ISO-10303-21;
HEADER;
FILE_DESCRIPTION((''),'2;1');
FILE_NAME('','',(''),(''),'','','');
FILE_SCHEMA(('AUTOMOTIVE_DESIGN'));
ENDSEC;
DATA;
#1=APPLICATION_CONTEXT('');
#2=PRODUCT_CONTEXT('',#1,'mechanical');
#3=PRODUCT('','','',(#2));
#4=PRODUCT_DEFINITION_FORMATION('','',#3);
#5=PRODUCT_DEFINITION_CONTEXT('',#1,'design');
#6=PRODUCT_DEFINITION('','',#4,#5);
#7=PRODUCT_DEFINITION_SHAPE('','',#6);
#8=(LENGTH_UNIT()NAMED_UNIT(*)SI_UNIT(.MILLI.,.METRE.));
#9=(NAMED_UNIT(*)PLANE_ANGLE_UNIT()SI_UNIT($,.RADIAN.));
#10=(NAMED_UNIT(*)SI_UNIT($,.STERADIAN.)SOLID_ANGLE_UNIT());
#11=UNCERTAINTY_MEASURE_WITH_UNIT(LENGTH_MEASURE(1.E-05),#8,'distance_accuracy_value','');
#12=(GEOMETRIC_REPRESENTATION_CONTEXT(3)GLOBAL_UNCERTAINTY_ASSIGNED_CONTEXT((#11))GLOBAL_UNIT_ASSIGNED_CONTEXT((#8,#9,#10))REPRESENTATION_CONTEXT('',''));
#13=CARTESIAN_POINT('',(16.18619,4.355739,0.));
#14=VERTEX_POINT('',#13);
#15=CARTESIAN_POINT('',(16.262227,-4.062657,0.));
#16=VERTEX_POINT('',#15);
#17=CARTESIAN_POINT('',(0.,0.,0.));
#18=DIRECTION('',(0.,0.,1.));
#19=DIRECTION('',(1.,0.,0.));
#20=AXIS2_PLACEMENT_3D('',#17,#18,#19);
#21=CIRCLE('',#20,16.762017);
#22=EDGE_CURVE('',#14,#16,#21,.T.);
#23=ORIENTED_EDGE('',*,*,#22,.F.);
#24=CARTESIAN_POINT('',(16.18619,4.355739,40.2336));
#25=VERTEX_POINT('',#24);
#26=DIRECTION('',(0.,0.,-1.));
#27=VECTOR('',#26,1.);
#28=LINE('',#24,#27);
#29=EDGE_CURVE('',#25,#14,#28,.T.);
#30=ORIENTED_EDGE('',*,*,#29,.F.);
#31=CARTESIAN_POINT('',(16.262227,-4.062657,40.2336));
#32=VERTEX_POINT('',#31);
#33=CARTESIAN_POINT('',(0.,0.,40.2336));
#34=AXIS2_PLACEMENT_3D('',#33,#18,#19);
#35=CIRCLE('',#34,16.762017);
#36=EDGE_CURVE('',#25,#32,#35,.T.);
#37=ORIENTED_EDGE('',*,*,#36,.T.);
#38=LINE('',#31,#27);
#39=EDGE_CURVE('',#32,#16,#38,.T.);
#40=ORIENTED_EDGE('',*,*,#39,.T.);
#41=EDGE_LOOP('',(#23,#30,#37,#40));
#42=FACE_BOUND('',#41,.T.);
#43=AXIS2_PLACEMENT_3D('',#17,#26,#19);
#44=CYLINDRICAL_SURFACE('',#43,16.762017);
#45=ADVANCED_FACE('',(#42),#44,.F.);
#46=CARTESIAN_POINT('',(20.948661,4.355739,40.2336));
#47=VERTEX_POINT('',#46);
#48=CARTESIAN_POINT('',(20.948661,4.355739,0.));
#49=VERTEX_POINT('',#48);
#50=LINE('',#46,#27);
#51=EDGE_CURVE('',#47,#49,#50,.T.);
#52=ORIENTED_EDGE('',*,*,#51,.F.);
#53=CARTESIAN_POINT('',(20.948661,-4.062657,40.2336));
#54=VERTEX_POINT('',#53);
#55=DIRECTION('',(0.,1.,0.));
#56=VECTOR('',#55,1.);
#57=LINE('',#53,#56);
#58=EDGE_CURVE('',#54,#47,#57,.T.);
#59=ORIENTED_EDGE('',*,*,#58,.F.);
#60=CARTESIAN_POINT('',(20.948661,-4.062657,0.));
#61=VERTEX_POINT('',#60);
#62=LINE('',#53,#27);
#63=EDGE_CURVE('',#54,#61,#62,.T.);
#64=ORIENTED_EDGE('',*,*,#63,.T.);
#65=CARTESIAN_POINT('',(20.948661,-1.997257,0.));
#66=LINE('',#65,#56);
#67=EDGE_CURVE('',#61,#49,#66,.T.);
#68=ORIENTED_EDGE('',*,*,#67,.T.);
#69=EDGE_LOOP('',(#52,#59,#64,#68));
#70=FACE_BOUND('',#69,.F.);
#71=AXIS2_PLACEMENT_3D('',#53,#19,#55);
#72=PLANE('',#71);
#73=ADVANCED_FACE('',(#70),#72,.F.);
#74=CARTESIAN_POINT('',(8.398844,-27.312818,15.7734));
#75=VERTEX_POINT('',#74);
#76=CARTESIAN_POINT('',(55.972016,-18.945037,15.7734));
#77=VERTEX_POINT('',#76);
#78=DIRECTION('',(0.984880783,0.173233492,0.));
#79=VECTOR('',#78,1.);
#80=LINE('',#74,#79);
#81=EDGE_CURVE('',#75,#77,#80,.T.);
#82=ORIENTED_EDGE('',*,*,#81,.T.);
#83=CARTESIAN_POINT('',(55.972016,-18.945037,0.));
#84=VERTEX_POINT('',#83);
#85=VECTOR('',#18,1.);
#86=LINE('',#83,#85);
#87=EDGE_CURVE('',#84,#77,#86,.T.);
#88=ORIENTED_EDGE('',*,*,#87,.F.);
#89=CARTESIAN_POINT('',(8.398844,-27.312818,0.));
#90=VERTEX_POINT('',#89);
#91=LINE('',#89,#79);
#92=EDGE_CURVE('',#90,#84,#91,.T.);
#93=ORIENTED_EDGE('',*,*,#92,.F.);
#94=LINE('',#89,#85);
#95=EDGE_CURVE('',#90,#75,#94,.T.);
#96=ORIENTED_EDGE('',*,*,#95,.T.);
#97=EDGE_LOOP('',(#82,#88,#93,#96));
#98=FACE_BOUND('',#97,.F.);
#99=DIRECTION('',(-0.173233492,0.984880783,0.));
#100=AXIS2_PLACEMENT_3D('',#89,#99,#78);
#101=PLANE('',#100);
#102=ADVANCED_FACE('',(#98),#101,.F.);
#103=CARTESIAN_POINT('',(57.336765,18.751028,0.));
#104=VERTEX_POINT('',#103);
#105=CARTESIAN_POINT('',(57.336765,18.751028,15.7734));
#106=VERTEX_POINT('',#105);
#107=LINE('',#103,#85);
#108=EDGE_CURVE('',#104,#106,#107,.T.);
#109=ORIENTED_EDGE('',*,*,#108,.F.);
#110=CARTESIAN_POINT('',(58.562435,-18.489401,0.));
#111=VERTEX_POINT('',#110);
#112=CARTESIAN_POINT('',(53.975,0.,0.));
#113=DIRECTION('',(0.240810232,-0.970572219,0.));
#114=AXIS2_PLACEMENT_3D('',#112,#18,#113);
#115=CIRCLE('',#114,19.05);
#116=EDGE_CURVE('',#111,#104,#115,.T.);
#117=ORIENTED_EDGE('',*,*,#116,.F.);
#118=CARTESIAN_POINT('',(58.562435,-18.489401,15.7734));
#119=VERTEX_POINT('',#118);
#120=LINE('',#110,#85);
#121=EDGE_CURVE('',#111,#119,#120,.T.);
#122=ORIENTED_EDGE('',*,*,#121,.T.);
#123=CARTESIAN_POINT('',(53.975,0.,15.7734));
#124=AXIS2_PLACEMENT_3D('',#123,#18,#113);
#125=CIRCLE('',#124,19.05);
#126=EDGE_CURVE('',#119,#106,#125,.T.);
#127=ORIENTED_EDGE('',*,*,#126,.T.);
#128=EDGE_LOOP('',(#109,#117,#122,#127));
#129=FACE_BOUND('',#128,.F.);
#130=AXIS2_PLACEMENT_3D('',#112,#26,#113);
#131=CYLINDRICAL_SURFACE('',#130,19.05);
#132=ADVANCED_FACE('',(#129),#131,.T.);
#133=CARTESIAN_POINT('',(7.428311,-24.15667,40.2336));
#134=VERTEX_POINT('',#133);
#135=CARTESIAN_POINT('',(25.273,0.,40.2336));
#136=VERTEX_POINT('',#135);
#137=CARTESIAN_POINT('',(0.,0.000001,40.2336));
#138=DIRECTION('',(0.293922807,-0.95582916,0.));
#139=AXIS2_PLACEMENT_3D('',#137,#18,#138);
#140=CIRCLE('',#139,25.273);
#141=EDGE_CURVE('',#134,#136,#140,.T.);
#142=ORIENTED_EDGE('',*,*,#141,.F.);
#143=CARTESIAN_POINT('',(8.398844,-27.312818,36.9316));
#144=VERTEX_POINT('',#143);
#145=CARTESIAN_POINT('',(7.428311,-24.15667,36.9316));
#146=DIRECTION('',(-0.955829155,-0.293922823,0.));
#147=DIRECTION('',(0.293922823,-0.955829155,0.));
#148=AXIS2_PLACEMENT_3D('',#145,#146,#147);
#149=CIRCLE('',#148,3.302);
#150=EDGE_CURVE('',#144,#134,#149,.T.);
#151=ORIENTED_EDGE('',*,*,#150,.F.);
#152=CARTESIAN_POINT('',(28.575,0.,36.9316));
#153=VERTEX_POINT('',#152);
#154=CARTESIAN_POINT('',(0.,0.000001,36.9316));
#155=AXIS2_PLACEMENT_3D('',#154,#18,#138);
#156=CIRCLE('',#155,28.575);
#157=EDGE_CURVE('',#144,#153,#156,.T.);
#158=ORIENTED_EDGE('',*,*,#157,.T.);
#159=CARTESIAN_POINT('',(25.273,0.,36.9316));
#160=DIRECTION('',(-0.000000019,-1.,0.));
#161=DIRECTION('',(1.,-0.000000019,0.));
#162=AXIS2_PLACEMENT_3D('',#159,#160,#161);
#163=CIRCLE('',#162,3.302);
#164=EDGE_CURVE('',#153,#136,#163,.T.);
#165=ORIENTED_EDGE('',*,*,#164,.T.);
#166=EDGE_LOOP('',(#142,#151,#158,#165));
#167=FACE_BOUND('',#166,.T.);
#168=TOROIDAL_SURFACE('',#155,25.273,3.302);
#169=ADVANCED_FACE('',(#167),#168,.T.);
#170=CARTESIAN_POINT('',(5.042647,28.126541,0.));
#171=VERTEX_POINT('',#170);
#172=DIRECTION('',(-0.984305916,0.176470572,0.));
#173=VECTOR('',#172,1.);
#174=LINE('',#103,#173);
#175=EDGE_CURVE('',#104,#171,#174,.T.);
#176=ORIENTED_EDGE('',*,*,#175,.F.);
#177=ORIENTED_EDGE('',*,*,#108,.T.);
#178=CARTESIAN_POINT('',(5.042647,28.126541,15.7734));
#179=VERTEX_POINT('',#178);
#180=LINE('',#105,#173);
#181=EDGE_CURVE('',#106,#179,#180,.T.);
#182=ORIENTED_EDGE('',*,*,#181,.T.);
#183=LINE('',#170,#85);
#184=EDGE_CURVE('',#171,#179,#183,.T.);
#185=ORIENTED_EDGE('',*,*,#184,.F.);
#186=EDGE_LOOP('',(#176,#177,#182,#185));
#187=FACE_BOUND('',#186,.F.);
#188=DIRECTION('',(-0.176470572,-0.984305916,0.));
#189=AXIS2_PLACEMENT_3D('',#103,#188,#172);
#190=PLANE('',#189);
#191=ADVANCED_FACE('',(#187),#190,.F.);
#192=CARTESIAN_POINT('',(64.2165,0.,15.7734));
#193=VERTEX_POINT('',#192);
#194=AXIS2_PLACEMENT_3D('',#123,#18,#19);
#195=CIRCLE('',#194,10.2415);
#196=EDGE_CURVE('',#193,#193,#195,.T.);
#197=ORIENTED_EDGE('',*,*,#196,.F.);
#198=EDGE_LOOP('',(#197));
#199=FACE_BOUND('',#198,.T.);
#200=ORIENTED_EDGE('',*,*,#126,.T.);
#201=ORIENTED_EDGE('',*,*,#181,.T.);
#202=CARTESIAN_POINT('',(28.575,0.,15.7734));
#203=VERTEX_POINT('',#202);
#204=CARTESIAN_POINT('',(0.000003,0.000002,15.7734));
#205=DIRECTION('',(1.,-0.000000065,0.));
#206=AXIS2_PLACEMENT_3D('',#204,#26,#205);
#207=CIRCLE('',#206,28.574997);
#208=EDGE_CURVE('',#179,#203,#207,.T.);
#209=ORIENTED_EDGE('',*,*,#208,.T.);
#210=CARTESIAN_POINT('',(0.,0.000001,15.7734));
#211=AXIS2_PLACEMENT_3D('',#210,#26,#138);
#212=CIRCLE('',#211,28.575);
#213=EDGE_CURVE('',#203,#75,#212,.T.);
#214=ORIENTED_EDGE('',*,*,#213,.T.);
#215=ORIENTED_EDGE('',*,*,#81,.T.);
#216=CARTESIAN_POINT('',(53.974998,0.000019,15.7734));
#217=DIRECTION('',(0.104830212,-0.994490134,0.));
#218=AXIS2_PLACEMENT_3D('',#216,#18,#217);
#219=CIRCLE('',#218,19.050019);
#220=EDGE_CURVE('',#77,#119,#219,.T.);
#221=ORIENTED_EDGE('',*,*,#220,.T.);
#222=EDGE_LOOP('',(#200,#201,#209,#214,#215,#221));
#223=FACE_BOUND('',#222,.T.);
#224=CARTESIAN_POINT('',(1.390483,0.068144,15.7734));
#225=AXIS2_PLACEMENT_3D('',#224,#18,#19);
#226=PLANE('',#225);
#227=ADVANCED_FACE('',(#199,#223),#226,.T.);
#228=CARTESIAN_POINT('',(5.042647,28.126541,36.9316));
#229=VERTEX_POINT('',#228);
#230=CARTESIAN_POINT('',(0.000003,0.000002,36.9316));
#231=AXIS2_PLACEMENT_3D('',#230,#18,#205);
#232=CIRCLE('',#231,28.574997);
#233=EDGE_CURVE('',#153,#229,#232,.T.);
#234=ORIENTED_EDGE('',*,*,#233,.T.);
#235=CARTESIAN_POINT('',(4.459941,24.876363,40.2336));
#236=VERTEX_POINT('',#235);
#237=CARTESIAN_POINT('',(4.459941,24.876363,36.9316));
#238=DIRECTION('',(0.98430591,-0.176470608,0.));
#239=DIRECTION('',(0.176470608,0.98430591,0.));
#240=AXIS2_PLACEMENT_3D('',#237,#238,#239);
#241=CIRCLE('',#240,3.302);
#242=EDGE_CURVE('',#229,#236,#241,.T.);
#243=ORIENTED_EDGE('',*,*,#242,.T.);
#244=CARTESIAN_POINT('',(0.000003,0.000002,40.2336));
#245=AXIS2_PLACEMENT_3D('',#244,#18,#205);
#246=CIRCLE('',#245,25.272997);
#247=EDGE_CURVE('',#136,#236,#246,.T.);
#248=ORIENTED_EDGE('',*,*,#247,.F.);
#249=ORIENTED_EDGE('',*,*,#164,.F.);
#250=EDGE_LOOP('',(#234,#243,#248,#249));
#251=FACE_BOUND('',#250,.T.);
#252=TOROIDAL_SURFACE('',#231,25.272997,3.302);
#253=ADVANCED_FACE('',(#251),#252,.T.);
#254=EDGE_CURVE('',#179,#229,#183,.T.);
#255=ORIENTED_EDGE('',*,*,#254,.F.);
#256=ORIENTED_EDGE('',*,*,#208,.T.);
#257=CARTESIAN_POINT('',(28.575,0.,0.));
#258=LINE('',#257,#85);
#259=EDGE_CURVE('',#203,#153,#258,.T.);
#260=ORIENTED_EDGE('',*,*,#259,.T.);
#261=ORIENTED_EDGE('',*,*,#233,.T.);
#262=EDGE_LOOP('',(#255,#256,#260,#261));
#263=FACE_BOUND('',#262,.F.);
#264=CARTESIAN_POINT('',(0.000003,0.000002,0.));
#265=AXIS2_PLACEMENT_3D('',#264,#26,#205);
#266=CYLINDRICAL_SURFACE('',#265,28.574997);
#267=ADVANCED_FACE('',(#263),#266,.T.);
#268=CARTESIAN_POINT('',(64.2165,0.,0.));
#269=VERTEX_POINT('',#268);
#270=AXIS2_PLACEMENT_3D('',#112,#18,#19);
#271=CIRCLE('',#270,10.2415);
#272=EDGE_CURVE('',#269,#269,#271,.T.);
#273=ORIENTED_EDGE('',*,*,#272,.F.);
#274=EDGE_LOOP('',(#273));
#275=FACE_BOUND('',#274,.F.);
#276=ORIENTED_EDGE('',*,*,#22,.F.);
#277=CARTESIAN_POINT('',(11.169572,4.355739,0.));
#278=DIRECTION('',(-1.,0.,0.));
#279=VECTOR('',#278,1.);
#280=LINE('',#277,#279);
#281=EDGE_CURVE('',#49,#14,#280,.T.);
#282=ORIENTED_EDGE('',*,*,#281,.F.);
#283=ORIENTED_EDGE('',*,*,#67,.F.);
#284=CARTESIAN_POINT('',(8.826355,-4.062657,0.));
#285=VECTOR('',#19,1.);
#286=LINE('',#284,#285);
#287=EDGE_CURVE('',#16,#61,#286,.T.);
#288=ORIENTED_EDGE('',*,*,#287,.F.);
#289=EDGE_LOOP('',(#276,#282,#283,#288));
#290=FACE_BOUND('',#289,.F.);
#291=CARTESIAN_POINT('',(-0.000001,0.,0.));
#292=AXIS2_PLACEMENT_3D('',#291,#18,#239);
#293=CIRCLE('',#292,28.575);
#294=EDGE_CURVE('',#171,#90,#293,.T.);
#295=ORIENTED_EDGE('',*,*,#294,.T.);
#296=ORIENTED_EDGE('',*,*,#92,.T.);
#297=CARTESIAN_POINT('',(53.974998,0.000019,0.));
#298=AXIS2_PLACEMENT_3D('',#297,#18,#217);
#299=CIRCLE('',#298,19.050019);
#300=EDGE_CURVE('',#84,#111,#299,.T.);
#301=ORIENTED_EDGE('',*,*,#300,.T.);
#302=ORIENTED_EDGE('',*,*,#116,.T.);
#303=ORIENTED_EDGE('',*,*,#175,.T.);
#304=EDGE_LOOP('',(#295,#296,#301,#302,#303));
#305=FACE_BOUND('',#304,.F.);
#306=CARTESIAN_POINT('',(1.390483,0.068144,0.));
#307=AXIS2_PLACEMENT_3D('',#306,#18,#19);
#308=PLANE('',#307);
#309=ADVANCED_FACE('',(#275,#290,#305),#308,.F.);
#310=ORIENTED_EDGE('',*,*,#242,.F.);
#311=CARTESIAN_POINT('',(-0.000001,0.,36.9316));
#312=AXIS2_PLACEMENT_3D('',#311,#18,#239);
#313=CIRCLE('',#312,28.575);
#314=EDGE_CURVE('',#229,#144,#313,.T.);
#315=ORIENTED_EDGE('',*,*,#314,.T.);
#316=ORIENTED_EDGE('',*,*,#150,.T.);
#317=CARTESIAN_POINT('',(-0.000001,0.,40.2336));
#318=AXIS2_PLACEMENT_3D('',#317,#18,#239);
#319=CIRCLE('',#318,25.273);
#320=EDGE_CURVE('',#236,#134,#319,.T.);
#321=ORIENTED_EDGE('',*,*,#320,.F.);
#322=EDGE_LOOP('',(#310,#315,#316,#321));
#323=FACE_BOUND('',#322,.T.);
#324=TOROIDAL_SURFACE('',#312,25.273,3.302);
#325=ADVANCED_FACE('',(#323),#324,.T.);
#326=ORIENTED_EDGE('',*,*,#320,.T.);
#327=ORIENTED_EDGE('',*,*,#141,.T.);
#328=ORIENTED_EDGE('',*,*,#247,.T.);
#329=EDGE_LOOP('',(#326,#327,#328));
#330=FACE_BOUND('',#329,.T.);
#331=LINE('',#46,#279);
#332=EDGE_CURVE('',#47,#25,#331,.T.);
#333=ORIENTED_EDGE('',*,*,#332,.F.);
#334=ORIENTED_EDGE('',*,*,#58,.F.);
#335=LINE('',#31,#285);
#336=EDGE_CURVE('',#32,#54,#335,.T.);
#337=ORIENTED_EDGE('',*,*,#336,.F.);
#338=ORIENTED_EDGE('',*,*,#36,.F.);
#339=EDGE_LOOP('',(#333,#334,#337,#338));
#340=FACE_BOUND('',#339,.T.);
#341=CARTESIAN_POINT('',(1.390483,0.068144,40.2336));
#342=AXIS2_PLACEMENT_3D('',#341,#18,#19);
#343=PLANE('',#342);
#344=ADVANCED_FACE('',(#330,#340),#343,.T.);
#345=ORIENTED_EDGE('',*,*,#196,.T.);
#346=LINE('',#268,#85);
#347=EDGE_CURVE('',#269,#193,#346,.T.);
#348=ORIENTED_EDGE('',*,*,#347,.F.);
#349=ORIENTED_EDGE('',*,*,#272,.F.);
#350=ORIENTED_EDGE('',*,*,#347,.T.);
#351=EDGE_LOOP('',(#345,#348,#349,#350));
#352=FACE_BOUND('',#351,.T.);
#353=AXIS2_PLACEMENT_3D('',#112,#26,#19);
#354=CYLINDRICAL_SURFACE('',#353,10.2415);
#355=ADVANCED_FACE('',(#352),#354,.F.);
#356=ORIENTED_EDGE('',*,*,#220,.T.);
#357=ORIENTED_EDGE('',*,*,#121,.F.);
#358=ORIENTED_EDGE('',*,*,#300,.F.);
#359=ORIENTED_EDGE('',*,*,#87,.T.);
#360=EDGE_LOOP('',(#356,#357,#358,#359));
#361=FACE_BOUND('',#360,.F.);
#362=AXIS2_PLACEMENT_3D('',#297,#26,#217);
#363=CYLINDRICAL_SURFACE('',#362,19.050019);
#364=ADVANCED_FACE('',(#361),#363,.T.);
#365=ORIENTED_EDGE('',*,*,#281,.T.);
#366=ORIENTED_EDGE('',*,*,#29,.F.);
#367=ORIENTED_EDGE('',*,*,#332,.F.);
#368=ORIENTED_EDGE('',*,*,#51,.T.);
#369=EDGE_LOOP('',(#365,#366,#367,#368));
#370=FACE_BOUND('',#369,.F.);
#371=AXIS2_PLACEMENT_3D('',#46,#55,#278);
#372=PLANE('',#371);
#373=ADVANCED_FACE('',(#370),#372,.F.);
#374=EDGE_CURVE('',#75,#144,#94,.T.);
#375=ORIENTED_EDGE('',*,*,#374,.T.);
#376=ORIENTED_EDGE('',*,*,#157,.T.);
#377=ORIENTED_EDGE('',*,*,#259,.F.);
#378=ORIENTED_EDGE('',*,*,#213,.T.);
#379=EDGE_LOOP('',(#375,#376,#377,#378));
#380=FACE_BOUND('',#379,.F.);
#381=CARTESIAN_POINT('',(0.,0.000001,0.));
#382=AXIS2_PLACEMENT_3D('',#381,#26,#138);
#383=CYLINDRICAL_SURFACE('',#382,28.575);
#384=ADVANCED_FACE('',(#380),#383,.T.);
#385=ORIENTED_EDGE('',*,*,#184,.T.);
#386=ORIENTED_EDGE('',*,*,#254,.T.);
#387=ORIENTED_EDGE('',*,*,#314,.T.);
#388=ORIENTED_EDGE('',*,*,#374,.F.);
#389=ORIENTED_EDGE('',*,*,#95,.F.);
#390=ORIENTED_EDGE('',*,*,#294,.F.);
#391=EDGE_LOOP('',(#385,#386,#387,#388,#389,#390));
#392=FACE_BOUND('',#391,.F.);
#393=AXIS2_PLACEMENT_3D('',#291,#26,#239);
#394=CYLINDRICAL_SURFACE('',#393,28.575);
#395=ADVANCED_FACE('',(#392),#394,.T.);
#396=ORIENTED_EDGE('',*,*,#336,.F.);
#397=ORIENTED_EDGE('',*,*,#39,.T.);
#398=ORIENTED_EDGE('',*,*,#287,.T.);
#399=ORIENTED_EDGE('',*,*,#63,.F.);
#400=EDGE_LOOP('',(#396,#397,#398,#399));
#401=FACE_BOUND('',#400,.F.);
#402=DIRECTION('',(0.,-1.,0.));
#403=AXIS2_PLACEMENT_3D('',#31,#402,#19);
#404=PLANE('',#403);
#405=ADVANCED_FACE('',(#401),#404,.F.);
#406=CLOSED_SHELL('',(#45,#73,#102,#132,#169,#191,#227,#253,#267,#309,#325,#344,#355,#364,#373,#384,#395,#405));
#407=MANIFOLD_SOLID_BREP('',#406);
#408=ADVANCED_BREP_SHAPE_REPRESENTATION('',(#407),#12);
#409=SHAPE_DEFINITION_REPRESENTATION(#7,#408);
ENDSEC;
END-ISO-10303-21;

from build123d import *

# Parameters (mm, degrees)
F0_R     = 16.762017
F0_R_2   = 10.2415
F1_DEPTH = 15.7734
F2_DEPTH = 40.2336
F4_DEPTH = 57.912
F5_R     = 3.302


with BuildPart() as f1:
    # F0 (on Top) → F1 (new body)
    with BuildSketch(Plane.XY):
        with BuildLine():
            ThreePointArc((8.398844, -27.312818), (22.98399, -16.978422), (28.575, 0))
            ThreePointArc((28.575, 0), (21.916025, 18.336262), (5.042647, 28.126541))
            ThreePointArc((5.042647, 28.126541), (-28.522782, -1.726717), (8.398844, -27.312818))
        make_face()
        Circle(F0_R, mode=Mode.SUBTRACT)
        with BuildLine():
            ThreePointArc((5.042647, 28.126541), (21.916025, 18.336262), (28.575, 0))
            ThreePointArc((28.575, 0), (22.98399, -16.978422), (8.398844, -27.312818))
            Line((8.398844, -27.312818), (55.972016, -18.945037))
            Line((55.972016, -18.945037), (58.562435, -18.489401))
            ThreePointArc((58.562435, -18.489401), (73.014691, 0.626641), (57.336765, 18.751028))
            Line((57.336765, 18.751028), (5.042647, 28.126541))
        make_face()
        with Locations((53.975, 0)):
            Circle(F0_R_2, mode=Mode.SUBTRACT)
        with BuildLine():
            Line((58.562435, -18.489401), (55.972016, -18.945037))
            ThreePointArc((55.972016, -18.945037), (57.275098, -18.761979), (58.562435, -18.489401))
        make_face()
    extrude(amount=F1_DEPTH)

    # F0 (on Top) → F2 (join)
    with BuildSketch(Plane.XY):
        with BuildLine():
            ThreePointArc((8.398844, -27.312818), (22.98399, -16.978422), (28.575, 0))
            ThreePointArc((28.575, 0), (21.916025, 18.336262), (5.042647, 28.126541))
            ThreePointArc((5.042647, 28.126541), (-28.522782, -1.726717), (8.398844, -27.312818))
        make_face()
        Circle(F0_R, mode=Mode.SUBTRACT)
    extrude(amount=F2_DEPTH)

    # F3 (on face) → F4 (cut)
    with BuildSketch(Plane.XY.offset(40.2336)):
        with BuildLine():
            Line((20.948661, 4.355739), (16.18619, 4.355739))
            ThreePointArc((16.18619, 4.355739), (16.617437, 2.196818), (16.762017, 0))
            ThreePointArc((16.762017, 0), (16.6366, -2.046642), (16.262227, -4.062657))
            Line((16.262227, -4.062657), (20.948661, -4.062657))
            Line((20.948661, -4.062657), (20.948661, 4.355739))
        make_face()
    extrude(amount=-F4_DEPTH, mode=Mode.SUBTRACT)

    # F5
    f5_edges = [f1.edges().sort_by_distance(p)[0] for p in [
        (-8.398844, 27.312818, 40.2336),
    ]]
    fillet(f5_edges, radius=F5_R)


solid = f1.part
